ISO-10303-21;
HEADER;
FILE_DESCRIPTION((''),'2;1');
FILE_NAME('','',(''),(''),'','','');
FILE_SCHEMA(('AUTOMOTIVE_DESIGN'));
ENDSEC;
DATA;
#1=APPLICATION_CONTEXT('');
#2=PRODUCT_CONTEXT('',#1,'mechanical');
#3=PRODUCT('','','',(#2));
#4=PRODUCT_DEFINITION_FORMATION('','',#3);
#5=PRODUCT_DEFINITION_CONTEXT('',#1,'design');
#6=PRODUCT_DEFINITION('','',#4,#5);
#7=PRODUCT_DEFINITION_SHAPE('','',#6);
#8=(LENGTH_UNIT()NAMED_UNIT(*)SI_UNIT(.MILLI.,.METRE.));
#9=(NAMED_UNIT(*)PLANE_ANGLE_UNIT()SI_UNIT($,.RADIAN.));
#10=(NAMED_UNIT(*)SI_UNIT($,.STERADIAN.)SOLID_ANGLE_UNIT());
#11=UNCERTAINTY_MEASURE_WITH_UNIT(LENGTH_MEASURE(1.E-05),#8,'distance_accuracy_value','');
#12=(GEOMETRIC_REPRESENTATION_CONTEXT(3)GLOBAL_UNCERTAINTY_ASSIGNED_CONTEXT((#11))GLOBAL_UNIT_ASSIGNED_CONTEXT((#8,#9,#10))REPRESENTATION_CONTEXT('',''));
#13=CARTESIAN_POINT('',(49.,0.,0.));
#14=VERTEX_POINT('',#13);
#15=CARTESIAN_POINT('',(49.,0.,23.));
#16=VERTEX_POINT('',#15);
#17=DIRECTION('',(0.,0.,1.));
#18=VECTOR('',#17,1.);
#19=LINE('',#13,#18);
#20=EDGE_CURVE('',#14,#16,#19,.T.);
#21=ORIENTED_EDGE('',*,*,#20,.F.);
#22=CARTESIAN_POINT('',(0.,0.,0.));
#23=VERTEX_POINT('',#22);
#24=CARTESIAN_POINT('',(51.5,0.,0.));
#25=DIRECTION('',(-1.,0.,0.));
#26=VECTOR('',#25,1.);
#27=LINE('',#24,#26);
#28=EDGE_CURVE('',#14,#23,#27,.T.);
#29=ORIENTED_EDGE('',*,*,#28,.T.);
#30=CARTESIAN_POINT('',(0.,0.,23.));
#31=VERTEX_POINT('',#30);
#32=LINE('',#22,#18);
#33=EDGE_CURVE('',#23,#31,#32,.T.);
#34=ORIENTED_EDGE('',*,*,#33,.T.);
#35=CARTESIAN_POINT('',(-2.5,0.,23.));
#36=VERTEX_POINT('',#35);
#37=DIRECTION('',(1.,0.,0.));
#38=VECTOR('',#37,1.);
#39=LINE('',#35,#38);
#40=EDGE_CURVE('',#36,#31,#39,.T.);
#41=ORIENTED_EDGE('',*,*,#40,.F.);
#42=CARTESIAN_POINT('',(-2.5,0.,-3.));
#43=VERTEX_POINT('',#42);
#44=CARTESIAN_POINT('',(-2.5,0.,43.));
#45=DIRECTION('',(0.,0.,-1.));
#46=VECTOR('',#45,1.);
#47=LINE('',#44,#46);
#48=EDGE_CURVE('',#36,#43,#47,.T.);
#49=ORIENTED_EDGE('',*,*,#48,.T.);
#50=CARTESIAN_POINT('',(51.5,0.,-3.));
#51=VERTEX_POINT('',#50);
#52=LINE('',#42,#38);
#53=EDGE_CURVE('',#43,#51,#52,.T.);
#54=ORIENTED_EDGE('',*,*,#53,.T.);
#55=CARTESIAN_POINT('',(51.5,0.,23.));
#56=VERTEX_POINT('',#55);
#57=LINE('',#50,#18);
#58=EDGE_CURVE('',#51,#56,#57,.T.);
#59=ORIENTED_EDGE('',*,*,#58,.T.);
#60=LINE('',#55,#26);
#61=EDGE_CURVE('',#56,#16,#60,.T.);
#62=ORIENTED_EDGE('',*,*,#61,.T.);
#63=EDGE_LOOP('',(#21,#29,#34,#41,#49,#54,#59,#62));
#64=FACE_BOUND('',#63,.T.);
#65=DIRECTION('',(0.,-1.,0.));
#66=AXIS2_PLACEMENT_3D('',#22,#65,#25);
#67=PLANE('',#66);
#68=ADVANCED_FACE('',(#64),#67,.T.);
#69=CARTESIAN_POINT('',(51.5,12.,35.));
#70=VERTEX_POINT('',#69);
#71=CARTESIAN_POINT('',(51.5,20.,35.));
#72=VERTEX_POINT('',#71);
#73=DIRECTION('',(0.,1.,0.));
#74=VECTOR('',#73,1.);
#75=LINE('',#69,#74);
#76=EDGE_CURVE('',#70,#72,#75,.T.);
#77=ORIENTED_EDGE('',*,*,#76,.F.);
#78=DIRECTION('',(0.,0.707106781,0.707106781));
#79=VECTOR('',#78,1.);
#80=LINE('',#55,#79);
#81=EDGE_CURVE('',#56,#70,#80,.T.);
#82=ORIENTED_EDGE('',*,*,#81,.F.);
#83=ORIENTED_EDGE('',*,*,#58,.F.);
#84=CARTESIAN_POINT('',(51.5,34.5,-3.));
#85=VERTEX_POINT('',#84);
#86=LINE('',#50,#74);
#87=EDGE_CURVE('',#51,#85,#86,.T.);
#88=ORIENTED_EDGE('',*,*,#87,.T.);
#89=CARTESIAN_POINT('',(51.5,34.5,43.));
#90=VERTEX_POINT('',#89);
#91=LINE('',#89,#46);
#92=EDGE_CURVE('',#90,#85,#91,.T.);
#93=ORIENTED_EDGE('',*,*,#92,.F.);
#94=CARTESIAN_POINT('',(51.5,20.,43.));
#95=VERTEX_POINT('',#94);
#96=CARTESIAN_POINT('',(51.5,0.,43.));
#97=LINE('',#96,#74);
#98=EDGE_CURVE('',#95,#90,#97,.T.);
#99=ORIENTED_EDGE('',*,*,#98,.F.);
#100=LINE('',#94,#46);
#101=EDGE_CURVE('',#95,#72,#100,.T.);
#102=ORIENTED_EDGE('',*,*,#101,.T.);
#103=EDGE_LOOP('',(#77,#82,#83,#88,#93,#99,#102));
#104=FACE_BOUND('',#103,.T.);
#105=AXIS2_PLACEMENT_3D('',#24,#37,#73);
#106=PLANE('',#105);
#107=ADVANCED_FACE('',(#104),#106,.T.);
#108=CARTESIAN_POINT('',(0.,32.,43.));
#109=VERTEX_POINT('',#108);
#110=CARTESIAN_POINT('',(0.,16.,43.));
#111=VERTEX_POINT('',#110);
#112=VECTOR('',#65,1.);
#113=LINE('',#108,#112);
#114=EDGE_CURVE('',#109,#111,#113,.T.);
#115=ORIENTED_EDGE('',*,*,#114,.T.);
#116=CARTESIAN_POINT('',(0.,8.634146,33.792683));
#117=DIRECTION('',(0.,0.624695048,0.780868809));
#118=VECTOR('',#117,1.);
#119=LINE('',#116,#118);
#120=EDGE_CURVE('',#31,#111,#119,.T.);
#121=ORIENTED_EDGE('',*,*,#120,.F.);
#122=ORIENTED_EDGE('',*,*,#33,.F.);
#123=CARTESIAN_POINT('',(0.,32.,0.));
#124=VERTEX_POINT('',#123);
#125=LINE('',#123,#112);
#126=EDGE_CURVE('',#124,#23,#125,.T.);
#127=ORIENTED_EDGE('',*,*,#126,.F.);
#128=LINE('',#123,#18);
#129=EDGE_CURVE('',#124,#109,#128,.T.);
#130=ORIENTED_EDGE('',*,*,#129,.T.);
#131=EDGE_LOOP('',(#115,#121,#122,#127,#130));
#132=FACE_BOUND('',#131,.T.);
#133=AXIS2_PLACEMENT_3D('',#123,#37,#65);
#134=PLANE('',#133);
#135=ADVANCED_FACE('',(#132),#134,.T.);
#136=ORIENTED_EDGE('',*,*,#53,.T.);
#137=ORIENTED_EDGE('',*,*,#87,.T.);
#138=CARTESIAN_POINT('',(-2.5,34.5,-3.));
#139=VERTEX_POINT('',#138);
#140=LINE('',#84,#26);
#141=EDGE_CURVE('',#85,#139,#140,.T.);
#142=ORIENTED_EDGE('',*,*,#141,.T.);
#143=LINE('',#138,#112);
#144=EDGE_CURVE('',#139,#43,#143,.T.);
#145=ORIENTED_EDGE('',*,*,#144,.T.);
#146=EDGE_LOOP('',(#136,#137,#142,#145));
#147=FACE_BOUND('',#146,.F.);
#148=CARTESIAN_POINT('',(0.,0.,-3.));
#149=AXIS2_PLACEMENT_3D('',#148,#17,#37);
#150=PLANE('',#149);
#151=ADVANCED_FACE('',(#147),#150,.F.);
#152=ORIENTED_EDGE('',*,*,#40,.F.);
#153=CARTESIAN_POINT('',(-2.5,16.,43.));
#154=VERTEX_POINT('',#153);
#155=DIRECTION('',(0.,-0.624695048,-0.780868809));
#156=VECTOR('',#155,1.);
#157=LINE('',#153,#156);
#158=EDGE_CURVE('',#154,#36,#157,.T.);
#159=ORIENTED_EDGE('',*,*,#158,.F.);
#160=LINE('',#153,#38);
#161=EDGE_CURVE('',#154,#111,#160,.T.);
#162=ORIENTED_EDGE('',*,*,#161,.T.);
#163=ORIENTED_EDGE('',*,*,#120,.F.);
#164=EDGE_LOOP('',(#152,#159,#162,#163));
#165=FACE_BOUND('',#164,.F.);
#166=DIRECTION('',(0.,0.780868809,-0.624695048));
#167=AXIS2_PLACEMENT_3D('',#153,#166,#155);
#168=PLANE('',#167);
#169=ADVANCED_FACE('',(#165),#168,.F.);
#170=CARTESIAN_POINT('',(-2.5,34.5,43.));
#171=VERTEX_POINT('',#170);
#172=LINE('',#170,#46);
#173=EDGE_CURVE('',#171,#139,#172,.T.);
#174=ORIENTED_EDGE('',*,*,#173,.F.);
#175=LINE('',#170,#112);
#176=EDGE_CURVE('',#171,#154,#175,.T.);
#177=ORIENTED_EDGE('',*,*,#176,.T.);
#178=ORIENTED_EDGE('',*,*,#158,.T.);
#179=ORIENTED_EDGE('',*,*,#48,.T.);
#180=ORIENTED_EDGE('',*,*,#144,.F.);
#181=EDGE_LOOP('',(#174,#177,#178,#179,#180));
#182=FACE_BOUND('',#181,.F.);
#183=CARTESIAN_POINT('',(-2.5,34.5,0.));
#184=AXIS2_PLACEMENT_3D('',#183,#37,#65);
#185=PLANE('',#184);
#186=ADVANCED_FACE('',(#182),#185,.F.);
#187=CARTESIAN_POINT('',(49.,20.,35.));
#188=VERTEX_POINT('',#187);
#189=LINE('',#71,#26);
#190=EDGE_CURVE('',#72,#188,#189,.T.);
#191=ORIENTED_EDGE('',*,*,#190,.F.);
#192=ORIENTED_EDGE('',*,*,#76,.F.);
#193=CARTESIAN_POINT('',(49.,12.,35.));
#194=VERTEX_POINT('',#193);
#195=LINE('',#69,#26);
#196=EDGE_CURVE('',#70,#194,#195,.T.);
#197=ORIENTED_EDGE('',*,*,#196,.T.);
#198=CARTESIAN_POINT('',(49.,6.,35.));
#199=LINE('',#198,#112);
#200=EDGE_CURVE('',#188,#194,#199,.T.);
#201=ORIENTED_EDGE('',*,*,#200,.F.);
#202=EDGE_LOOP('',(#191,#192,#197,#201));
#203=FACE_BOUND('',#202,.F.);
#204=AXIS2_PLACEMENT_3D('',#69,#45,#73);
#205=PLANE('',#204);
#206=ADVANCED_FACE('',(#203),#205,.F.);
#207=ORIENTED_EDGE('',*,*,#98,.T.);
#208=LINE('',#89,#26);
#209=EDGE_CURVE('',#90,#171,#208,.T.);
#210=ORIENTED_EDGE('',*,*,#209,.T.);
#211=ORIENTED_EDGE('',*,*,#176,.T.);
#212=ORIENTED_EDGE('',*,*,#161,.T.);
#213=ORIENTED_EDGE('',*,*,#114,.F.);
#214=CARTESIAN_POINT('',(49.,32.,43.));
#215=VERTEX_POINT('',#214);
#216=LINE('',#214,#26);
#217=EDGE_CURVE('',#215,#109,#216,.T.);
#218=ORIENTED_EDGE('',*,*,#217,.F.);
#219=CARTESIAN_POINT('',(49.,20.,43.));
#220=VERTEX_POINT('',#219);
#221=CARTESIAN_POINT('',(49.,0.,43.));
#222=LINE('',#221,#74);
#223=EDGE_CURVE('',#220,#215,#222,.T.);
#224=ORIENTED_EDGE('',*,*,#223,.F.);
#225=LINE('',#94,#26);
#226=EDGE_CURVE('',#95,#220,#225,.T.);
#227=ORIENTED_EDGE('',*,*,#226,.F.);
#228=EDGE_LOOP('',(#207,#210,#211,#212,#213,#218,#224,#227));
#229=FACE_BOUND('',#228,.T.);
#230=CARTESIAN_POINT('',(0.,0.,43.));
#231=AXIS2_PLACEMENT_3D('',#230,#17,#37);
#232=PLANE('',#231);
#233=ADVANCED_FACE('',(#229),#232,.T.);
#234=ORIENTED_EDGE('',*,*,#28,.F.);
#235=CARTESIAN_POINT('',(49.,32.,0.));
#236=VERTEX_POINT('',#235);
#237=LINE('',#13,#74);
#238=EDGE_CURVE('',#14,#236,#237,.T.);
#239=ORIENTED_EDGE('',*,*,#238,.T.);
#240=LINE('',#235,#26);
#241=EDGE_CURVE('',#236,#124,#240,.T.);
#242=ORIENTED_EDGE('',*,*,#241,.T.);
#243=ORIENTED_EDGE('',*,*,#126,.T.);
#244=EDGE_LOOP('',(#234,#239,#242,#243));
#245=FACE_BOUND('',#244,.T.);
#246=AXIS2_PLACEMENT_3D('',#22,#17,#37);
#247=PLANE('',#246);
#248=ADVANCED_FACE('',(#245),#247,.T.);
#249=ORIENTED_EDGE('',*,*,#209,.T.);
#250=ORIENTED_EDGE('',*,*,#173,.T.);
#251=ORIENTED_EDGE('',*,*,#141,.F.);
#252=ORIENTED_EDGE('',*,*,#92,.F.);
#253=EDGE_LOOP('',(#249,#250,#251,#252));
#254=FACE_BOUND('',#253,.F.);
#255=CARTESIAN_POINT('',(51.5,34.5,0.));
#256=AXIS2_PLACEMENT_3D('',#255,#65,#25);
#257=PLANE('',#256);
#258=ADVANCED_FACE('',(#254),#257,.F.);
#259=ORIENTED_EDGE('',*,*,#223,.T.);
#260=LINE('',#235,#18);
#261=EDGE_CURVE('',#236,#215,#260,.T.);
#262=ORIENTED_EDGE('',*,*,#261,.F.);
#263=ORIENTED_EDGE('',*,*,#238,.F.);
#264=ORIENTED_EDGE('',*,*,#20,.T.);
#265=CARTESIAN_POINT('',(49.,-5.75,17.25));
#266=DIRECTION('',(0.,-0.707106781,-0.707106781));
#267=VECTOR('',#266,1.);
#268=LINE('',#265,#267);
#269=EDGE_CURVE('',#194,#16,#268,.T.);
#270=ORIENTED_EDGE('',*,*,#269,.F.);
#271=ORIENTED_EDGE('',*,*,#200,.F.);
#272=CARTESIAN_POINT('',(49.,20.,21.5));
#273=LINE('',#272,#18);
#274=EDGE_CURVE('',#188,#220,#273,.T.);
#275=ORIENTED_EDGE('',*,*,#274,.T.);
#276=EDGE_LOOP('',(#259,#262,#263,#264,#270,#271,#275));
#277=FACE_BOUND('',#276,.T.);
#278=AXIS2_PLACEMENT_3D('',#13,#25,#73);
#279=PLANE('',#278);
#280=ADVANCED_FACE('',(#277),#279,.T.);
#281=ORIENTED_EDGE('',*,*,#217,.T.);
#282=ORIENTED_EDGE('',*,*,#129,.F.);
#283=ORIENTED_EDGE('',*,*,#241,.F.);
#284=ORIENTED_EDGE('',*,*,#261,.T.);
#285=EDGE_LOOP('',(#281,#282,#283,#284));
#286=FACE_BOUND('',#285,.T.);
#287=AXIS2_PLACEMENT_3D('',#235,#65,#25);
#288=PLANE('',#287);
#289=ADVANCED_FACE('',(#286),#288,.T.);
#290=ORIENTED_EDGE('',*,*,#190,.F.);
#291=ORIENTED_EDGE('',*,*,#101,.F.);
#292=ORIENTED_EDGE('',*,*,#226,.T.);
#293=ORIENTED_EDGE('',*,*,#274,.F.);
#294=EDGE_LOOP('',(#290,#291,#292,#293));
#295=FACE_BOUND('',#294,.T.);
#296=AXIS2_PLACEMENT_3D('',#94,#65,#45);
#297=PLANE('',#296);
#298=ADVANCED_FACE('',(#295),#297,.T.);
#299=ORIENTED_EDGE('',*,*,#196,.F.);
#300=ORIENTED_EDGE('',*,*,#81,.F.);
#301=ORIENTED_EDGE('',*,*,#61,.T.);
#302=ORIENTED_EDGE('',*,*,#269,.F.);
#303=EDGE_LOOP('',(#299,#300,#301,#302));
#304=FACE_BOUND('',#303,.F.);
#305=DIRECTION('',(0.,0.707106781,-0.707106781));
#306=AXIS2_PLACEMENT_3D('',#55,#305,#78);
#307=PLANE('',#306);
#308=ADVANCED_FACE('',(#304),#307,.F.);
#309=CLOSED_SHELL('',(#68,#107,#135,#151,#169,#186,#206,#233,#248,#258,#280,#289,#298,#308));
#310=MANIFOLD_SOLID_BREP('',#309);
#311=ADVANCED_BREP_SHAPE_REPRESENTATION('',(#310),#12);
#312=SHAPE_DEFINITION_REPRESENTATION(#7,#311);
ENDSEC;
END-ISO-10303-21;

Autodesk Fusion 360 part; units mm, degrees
sketch "Sketch1" plane through (0, 0, 0) normal (0, 0, 1) x (1, 0, 0)
  line L0 (0, 0) -> (49, 0)
  line L1 (49, 0) -> (49, 32)
  line L2 (49, 32) -> (0, 32)
  line L3 (0, 32) -> (0, 0)
  line L4 (0, 0) -> (-2.5, 0)
  line L5 (-2.5, 0) -> (51.5, 0)
  line L6 (51.5, 0) -> (51.5, 34.5)
  line L7 (51.5, 34.5) -> (-2.5, 34.5)
  line L8 (-2.5, 34.5) -> (-2.5, 0)
  dimension "d1" = 49
  dimension "d2" = 32
  dimension "d3" = 2.5
  dimension "d4" = 34.5
  dimension "d5" = 54
extrude "Extrude1" add sketch "Sketch1" against normal blind 3
sketch "Sketch2" plane through (0, 0, 0) normal (0, 1, 0) x (1, 0, 0)
extrude "Extrude2" add sketch "Sketch1" along normal blind 43 contours L1 L2 L3 L4 L5 L6 L7 L8
sketch "Sketch3" plane through (51.5, 0, 0) normal (1, 0, 0) x (0, 1, 0)
  line L0 (0, 43) -> (0, -3)
  line L1 (0, -3) -> (34.5, -3)
  line L2 (34.5, -3) -> (34.5, 43)
  line L3 (34.5, 43) -> (0, 43)
  line L4 (34.5, 43) -> (32, 43)
  line L5 (32, 43) -> (0, 43)
  line L6 (0, 43) -> (16, 43)
  line L7 (16, 43) -> (12, 43)
  line L8 (12, 43) -> (12, 35)
  line L9 (12, 35) -> (16, 35)
  line L10 (16, 35) -> (16, 43)
  line L11 (16, 43) -> (20, 43)
  line L12 (20, 43) -> (20, 35)
  line L13 (20, 35) -> (16, 35)
  line L14 (16, 35) -> (16, 43)
  point P0 (32, 43)
  point P1 (32, 43)
  dimension "d10" = 4
  dimension "d11" = 8
  dimension "d12" = 8
extrude "Extrude3" cut sketch "Sketch3" against normal blind 10 contours L3 L5 L6 L7 L8 L9 L10 L14 | L3 L5 L10 L11 L12 L13 L14
sketch "Sketch4" plane through (51.5, 0, 0) normal (1, 0, 0) x (0, 1, 0)
  line L0 (20, 43) -> (20, 35)
  line L1 (20, 35) -> (12, 35)
  line L2 (12, 35) -> (12, 43)
  line L3 (12, 43) -> (0, 43)
  line L4 (0, 43) -> (0, -3)
  line L5 (0, -3) -> (34.5, -3)
  line L6 (34.5, -3) -> (34.5, 43)
  line L7 (34.5, 43) -> (20, 43)
  line L8 (0, 43) -> (0, 23)
  line L9 (0, 23) -> (12, 35)
  dimension "d15" = 20
extrude "Extrude4" cut sketch "Sketch4" against normal blind 5 contours L2 L3 L4 L8 L9
sketch "Sketch5" plane through (-2.5, 0, 0) normal (-1, 0, 0) x (0, -1, 0)
  line L0 (-34.5, 43) -> (-34.5, -3)
  line L1 (-34.5, -3) -> (0, -3)
  line L2 (0, -3) -> (0, 43)
  line L3 (0, 43) -> (-34.5, 43)
  line L4 (0, 43) -> (-16, 43)
  line L5 (0, 43) -> (0, 23)
  line L6 (-16, 43) -> (0, 23)
  dimension "d18" = 16
  dimension "d19" = 20
extrude "Extrude5" cut sketch "Sketch5" against normal blind 10 contours L2 L3 L4 L5 L6
